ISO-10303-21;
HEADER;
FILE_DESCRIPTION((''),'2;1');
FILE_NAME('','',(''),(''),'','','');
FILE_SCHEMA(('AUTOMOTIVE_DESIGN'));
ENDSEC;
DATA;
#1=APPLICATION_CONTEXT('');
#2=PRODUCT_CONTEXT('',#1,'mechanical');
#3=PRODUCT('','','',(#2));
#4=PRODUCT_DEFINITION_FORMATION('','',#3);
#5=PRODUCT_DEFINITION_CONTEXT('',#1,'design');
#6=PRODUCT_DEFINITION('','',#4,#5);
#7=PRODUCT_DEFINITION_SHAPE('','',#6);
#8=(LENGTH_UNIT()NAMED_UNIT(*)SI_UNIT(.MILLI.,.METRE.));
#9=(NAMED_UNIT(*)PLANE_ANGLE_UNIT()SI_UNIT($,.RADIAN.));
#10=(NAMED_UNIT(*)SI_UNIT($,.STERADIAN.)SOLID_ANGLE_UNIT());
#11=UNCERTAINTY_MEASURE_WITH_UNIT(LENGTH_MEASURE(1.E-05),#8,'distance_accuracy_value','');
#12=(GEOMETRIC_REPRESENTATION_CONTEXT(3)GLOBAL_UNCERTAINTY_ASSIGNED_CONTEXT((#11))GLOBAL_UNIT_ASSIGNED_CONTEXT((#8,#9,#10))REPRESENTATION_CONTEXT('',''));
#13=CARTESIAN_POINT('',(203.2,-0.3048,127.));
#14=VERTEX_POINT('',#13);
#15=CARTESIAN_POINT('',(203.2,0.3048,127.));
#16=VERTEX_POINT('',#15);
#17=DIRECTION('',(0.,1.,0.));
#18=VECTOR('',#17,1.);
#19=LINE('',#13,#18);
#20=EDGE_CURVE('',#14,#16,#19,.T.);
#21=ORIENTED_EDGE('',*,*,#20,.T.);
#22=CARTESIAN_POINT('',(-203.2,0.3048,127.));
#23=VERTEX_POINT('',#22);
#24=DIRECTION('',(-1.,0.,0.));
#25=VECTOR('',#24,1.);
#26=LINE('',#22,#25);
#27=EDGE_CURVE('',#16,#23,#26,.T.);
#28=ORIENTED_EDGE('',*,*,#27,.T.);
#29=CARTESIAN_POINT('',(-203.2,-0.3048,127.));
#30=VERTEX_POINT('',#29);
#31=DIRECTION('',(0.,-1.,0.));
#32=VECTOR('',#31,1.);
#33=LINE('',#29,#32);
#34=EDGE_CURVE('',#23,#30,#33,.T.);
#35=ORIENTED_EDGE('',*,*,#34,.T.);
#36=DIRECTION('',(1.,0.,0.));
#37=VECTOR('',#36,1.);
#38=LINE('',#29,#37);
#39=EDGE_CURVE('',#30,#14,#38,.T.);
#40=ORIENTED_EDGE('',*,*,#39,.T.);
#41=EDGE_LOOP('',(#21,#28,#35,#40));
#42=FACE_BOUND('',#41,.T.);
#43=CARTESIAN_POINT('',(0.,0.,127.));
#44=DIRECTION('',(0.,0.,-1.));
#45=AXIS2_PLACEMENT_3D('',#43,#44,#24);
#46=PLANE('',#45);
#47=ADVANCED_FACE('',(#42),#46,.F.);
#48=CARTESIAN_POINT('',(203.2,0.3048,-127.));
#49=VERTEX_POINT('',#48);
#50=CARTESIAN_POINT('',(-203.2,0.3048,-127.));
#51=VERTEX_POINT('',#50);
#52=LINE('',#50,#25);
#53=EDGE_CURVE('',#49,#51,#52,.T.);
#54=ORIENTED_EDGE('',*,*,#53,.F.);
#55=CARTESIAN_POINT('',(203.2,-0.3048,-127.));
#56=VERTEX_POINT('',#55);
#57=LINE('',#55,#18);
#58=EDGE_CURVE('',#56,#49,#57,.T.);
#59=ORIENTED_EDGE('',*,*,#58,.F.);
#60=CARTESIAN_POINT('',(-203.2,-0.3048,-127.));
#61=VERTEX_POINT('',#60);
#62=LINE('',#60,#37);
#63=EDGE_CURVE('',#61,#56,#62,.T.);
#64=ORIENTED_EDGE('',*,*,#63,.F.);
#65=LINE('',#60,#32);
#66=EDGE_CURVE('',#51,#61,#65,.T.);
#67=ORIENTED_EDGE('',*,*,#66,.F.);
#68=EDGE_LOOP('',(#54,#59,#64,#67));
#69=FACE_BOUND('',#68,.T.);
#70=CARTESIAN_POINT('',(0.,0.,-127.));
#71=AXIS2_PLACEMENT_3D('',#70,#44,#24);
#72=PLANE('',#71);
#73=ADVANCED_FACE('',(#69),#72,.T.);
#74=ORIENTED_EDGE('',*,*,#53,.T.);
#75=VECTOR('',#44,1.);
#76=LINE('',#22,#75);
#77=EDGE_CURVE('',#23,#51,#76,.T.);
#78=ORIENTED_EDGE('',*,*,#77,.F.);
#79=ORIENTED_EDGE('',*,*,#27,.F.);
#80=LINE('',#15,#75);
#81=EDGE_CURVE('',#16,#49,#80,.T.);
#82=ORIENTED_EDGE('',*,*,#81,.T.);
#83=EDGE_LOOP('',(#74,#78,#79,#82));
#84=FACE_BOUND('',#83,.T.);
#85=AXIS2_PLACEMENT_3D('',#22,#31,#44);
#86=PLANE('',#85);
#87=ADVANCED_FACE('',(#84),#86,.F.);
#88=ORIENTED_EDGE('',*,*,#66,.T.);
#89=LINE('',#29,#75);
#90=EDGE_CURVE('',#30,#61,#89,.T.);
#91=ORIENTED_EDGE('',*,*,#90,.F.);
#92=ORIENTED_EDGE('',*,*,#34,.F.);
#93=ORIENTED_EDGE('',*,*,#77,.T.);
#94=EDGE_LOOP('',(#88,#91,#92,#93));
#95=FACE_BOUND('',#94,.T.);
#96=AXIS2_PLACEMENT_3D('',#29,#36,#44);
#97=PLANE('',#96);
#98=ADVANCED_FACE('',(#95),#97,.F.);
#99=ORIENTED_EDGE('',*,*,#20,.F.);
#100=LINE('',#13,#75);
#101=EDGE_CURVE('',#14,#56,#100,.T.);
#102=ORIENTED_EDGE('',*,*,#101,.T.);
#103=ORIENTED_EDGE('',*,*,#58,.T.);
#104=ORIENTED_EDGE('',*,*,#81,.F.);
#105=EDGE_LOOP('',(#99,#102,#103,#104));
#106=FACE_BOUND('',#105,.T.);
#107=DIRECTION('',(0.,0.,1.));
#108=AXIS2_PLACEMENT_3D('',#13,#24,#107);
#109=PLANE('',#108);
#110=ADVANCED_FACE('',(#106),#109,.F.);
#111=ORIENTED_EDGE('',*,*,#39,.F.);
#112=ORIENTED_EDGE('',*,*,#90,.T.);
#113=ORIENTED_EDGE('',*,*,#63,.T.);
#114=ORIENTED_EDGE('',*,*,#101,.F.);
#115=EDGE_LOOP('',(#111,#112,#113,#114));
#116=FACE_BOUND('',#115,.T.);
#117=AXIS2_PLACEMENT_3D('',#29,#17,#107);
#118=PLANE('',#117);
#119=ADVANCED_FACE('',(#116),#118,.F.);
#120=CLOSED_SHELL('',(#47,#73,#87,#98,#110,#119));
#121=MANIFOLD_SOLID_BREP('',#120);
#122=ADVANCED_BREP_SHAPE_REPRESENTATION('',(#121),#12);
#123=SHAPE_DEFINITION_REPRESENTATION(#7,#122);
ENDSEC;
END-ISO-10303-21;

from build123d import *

# Parameters (mm, degrees)
SKETCH3_W           = 406.4
SKETCH3_H           = 0.6096
BOSS_EXTRUDE1_DEPTH = 127


with BuildPart() as part:
    # Sketch3 → Boss-Extrude1 (new body, symmetric)
    with BuildSketch(Plane.XY):
        Rectangle(SKETCH3_W, SKETCH3_H)
    extrude(amount=BOSS_EXTRUDE1_DEPTH, both=True)


solid = part.part
